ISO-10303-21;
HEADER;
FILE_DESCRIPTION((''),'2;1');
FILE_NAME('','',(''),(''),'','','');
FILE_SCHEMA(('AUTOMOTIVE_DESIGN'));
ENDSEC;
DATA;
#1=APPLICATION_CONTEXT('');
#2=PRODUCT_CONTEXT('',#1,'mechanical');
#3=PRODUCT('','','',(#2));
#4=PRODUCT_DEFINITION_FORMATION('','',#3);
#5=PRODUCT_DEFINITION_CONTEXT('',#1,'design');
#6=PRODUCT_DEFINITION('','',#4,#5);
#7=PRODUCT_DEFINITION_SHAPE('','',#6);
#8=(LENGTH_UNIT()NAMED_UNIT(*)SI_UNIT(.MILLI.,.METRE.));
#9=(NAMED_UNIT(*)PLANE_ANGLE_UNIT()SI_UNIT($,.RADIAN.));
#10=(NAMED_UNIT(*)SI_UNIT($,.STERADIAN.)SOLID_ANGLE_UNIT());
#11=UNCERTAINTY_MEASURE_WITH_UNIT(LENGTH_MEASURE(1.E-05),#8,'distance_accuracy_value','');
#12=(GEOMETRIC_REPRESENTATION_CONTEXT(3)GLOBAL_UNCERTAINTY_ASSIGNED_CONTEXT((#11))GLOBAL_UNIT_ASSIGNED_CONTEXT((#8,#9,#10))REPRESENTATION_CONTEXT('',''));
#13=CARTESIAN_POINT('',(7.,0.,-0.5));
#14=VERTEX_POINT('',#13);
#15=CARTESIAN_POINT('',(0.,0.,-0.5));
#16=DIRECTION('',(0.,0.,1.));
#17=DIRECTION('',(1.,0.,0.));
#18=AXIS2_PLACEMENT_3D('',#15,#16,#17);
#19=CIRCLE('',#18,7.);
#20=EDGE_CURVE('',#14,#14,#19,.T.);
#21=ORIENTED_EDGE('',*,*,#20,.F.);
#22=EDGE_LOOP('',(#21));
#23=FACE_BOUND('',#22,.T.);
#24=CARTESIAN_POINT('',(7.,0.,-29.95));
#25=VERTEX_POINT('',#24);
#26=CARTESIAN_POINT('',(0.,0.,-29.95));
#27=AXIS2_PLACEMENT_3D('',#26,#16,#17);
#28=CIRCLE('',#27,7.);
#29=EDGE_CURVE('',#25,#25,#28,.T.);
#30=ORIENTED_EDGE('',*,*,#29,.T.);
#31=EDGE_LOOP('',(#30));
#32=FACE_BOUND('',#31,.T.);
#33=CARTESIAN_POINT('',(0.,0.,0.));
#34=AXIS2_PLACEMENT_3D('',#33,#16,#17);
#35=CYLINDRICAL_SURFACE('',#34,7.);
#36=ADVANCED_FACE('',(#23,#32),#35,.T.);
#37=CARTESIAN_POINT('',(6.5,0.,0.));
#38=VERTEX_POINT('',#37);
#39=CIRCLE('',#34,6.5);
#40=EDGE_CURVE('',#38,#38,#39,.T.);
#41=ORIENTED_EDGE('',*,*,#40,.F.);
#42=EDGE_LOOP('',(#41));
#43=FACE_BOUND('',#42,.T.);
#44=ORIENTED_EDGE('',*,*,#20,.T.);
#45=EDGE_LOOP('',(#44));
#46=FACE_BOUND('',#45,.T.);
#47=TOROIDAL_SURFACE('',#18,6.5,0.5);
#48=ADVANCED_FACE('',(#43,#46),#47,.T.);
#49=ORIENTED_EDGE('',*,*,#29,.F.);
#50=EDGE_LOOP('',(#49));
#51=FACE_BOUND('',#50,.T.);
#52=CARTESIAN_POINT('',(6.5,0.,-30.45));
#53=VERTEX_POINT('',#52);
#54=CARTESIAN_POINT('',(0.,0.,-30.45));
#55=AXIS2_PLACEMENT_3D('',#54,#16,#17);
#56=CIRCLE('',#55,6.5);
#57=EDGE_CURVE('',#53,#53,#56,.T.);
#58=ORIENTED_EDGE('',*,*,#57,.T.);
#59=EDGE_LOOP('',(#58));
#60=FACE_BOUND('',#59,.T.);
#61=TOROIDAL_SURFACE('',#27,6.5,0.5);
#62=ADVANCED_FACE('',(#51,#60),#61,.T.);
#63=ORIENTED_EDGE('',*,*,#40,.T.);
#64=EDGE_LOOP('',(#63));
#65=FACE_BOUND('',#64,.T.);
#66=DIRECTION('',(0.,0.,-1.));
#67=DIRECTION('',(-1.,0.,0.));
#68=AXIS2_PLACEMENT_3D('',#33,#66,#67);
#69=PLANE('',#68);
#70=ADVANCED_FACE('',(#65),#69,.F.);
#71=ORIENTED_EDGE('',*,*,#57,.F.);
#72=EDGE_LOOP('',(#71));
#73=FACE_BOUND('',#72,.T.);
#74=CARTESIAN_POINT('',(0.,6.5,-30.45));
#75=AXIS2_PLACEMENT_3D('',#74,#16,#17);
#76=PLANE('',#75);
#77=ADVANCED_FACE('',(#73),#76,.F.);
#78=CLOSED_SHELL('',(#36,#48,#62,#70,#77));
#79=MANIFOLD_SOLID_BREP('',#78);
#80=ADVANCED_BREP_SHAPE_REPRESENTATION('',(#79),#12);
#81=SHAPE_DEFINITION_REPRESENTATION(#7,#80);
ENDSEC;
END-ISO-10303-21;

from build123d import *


with BuildPart() as part:
    # Sketch1 → Revolve1 (revolve)
    with BuildSketch(Plane(origin=(0, 0, 0), x_dir=(0, 0, -1), z_dir=(1, 0, 0)), mode=Mode.PRIVATE) as revolve1_sk:
        with BuildLine():
            Line((0, 0), (0, 6.5))
            ThreePointArc((0, 6.5), (0.146446609, 6.853553391), (0.5, 7))
            Line((0.5, 7), (29.95, 7))
            ThreePointArc((29.95, 7), (30.303553391, 6.853553391), (30.45, 6.5))
            Line((30.45, 6.5), (30.45, 0))
            Line((30.45, 0), (0, 0))
        make_face()
    revolve(revolve1_sk.sketch.rotate(Axis((0, 0, 0), (0, 0, -1)), 90), axis=Axis((0, 0, 0), (0, 0, -1)))


solid = part.part
